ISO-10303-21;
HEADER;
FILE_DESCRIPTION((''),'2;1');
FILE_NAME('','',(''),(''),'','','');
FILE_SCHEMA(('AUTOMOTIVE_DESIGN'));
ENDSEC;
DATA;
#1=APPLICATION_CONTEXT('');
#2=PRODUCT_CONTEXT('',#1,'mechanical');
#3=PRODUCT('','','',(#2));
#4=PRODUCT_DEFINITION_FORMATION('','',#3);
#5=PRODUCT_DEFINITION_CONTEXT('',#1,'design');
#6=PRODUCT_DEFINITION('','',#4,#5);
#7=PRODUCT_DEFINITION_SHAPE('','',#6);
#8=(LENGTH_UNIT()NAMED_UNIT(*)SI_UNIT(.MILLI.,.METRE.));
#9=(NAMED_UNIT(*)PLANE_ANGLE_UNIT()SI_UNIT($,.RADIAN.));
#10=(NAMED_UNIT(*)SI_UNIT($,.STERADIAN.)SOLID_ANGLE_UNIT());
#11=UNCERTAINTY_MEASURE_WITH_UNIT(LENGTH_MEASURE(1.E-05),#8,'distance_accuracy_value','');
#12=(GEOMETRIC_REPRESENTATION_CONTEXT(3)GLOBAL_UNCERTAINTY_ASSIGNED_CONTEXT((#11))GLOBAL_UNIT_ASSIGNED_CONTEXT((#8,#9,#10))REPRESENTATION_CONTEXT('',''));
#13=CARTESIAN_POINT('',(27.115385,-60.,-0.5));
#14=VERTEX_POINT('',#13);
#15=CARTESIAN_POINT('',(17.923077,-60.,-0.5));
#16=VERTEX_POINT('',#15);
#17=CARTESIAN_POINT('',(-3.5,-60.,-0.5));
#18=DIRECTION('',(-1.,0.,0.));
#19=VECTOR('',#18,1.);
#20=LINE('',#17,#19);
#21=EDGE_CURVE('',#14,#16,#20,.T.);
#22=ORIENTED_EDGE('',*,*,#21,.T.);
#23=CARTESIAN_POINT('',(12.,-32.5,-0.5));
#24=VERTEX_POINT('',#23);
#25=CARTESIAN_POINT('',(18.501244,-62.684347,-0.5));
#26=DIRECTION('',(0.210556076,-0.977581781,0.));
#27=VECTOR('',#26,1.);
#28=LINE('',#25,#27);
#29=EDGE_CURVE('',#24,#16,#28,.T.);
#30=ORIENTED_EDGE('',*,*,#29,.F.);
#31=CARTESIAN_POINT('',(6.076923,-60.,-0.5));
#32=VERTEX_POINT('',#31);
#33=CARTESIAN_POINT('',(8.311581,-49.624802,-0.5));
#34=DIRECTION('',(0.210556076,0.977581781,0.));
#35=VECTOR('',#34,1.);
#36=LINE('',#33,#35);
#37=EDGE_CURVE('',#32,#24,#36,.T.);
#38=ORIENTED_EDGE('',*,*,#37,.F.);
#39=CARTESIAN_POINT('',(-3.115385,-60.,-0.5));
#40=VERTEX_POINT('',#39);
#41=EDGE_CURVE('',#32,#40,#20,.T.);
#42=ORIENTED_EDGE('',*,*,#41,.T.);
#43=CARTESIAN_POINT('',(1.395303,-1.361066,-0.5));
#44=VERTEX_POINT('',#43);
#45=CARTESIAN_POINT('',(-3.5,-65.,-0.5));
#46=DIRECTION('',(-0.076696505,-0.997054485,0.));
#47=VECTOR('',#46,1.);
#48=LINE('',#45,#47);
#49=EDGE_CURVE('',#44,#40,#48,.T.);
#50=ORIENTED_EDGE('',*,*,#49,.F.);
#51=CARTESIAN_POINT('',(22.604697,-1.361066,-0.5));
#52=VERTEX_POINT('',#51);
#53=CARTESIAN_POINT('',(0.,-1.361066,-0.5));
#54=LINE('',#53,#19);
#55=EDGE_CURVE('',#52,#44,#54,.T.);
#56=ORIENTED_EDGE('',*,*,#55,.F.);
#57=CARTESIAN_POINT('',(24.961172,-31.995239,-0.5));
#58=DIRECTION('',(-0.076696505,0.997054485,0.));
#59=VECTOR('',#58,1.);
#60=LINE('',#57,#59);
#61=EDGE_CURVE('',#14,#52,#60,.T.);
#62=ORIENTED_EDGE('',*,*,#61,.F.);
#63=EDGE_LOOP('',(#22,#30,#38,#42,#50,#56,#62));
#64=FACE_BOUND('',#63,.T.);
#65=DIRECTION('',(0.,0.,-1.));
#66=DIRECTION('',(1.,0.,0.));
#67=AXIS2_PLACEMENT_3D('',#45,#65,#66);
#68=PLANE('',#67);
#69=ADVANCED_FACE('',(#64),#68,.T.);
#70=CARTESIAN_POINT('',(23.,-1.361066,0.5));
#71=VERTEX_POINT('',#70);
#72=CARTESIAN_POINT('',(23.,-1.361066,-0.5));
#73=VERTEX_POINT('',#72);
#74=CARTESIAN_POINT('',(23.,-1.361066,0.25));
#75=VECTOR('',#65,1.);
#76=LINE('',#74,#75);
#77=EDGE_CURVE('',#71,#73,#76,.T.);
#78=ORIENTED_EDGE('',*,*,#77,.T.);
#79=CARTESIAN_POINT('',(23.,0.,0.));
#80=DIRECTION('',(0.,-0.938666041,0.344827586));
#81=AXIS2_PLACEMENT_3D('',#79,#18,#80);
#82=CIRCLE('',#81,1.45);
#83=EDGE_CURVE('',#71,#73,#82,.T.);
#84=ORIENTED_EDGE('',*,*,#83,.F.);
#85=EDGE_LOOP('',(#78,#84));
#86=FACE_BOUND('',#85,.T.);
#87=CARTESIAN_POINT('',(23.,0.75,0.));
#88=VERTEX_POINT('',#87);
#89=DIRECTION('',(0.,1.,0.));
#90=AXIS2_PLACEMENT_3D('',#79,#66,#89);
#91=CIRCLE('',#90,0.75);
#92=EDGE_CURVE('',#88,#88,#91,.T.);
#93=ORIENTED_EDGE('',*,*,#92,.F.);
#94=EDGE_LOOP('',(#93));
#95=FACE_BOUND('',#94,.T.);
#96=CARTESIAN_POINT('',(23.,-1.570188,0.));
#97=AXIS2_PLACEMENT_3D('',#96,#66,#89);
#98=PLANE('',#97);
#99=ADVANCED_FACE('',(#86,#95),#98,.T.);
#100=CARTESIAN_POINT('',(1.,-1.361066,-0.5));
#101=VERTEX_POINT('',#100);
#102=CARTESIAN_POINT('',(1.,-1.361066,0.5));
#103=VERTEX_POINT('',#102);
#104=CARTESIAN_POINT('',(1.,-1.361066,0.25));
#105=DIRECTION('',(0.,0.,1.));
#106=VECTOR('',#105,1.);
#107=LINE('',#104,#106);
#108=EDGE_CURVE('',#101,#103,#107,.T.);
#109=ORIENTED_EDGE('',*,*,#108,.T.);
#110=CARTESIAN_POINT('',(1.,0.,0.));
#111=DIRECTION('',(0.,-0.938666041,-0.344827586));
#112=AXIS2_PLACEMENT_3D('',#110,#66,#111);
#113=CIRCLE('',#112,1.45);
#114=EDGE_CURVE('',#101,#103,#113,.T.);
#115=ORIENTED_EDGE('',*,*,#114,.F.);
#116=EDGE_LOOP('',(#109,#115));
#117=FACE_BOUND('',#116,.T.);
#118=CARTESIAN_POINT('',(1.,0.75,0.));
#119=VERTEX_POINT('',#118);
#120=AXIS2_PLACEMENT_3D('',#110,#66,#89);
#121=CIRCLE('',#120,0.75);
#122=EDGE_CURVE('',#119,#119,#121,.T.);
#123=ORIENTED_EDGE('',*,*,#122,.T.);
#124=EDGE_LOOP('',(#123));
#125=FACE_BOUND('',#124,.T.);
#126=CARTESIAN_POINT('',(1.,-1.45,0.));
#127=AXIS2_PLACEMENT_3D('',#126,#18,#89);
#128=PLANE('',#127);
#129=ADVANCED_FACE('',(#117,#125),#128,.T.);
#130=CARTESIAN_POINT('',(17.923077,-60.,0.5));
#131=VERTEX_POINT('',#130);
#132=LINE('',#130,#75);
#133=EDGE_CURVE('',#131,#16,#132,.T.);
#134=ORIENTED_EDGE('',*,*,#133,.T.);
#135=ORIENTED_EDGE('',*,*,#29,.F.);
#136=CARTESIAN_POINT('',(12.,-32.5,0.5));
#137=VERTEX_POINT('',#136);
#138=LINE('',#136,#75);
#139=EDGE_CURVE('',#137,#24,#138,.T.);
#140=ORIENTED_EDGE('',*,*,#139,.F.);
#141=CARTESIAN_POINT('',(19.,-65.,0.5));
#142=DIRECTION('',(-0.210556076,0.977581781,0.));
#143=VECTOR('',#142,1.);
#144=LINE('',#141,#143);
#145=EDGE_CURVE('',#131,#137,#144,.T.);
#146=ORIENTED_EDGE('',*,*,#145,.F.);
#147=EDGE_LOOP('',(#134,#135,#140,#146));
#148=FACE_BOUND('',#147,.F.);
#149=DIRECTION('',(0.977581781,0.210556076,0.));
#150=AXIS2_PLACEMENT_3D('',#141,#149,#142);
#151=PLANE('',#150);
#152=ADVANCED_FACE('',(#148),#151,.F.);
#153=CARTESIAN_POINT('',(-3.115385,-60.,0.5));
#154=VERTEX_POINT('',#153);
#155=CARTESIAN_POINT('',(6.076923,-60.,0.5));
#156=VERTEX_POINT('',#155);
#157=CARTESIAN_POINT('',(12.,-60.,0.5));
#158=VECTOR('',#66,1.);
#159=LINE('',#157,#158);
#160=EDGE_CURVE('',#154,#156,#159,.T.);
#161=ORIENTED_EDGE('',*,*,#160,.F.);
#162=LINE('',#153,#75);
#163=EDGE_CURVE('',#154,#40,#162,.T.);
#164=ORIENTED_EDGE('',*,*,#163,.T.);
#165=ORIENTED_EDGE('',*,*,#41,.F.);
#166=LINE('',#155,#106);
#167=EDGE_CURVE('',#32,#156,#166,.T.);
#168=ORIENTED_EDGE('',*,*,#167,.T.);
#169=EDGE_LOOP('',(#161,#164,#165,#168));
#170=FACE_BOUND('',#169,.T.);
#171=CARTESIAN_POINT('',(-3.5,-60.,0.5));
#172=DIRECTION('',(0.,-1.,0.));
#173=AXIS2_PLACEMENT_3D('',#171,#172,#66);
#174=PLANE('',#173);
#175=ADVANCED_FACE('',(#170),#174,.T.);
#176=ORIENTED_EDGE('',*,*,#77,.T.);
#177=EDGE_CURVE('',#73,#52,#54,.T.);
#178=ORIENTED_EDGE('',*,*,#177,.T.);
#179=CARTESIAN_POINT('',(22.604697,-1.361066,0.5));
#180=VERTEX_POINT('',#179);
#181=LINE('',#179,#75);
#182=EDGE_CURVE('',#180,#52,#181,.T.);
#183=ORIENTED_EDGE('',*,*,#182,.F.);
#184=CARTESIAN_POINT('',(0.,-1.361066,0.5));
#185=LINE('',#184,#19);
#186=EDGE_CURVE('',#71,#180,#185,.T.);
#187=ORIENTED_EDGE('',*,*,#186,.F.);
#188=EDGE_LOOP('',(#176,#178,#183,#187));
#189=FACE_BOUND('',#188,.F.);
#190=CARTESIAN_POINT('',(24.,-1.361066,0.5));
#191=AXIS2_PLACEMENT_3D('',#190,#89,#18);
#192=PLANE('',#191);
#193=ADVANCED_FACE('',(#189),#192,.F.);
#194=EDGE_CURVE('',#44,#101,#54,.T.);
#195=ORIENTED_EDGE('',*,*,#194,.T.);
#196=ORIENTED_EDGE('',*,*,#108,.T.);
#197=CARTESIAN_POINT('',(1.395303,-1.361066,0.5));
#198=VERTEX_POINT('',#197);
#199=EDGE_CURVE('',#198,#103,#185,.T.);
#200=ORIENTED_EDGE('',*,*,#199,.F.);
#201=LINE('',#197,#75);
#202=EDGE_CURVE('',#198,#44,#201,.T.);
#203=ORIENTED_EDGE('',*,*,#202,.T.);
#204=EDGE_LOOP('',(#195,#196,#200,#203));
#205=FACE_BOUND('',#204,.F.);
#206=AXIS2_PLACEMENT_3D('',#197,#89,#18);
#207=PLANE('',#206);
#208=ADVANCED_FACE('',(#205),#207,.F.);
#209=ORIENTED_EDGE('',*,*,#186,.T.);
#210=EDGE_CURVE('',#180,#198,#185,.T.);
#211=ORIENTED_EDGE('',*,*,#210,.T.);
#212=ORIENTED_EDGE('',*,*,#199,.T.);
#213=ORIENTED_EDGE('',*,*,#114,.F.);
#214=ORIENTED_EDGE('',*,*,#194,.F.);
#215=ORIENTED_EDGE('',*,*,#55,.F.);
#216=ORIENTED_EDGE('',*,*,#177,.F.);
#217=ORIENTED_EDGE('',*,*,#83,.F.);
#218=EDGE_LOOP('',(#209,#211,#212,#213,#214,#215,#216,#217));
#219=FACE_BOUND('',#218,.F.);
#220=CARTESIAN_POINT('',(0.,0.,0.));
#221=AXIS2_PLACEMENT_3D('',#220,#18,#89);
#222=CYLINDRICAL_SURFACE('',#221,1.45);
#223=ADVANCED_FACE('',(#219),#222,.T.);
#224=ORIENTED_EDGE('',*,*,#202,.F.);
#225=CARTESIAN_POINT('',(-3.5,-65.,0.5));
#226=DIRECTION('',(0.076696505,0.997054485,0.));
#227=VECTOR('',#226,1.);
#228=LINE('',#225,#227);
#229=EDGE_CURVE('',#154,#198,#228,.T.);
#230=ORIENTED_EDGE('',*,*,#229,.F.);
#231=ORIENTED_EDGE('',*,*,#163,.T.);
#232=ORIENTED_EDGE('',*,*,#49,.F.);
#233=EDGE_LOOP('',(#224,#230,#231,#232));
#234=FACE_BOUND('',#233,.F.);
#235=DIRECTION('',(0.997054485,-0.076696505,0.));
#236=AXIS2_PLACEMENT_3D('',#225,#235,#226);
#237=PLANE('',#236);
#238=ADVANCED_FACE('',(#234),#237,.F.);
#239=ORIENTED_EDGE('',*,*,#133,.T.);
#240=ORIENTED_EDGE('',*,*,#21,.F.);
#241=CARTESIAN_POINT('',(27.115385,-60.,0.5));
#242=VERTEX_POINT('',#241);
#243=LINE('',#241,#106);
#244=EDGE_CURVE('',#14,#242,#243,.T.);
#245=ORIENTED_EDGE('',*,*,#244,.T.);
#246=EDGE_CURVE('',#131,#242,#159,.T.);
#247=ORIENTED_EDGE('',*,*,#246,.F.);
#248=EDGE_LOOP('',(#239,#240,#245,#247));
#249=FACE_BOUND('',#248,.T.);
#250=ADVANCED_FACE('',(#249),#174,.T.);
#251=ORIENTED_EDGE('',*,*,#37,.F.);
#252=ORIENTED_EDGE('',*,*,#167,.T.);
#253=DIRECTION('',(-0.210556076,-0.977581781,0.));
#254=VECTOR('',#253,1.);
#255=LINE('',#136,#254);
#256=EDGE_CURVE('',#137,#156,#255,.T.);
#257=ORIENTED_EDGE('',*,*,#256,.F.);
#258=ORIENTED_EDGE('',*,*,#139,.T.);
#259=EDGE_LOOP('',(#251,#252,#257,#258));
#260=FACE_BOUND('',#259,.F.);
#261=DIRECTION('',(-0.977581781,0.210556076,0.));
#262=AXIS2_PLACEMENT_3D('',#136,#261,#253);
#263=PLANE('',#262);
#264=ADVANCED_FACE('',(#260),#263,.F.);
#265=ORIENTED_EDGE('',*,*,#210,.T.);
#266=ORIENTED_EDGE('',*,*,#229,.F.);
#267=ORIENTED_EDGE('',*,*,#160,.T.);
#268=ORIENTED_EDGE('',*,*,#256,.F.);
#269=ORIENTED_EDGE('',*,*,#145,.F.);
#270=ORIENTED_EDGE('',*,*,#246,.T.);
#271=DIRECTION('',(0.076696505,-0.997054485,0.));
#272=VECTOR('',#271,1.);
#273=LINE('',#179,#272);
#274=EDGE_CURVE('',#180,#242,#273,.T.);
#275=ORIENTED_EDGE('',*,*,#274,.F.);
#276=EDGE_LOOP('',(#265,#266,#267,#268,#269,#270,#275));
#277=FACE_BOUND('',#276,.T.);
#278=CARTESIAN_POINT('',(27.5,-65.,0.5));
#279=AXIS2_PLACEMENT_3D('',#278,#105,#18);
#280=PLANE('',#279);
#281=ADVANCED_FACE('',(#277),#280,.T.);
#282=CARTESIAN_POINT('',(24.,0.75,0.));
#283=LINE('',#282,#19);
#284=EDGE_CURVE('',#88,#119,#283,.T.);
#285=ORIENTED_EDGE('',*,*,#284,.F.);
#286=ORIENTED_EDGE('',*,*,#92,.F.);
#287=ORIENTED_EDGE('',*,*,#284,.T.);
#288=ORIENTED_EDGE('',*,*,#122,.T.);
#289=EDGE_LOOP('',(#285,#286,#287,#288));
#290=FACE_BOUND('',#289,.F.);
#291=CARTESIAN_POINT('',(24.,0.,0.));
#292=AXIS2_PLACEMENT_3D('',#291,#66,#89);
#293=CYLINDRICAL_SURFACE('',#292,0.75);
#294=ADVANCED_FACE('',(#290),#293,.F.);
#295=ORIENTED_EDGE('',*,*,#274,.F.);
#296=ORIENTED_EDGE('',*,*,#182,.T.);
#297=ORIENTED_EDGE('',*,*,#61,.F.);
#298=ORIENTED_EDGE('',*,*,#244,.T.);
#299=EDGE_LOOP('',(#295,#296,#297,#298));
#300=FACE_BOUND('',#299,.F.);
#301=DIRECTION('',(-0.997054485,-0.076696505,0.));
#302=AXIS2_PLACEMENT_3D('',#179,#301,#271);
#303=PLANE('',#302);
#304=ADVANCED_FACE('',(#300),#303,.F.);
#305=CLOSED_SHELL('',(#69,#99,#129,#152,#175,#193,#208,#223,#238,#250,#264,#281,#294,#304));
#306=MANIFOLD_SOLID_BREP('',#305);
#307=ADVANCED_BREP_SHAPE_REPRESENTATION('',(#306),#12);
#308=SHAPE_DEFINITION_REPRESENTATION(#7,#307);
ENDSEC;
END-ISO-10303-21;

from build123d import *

# Parameters (mm, degrees)
F0_R      = 1.45
F1_DEPTH  = 24
F5_DEPTH  = 65
F7_DEPTH  = 25
F8_W      = 31
F8_H      = 5
F9_DEPTH  = 25
F10_R     = 0.75
F11_DEPTH = 40
F12_W     = 1
F12_H     = 2.9
F12_H_2   = 3.020188
F13_DEPTH = 12.5


with BuildPart() as f1:
    # F0 (on Right) → F1 (new body)
    with BuildSketch(Plane.YZ):
        Circle(F0_R)
    extrude(amount=F1_DEPTH)

    # F4 (on offset) → F5 (join)
    with BuildSketch(Plane.XZ.offset(65)):
        Polygon((22.5, 0.5), (1.5, 0.5), (-3.5, 0.5), (-3.5, -0.5), (1.5, -0.5), (22.5, -0.5), (27.5, -0.5), (27.5, 0.5), align=None)
    extrude(amount=-F5_DEPTH)

    # F6 (on face) → F7 (cut)
    with BuildSketch(Plane.XY.offset(0.5)):
        Polygon((27.5, -65), (27.5, 0), (24, 0), (24, -1.361066), (22.604697, -1.361066), align=None)
        Polygon((0, 0), (-3.5, 0), (-3.5, -65), (1.395303, -1.361066), (0, -1.361066), align=None)
        Polygon((5, -65), (12, -65), (19, -65), (12, -32.5), align=None)
    extrude(amount=-F7_DEPTH, mode=Mode.SUBTRACT)

    # F8 (on face) → F9 (cut)
    with BuildSketch(Plane.XY.offset(0.5)):
        with Locations((12, -62.5)):
            Rectangle(F8_W, F8_H)
    extrude(amount=-F9_DEPTH, mode=Mode.SUBTRACT)

    # F10 (on face) → F11 (cut)
    with BuildSketch(Plane.YZ.offset(24)):
        Circle(F10_R)
    extrude(amount=-F11_DEPTH, mode=Mode.SUBTRACT)

    # F12 (on Top) → F13 (cut, symmetric)
    with BuildSketch(Plane.XY):
        with Locations((0.5, 0)):
            Rectangle(F12_W, F12_H)
        with Locations((23.5, -0.060094)):
            Rectangle(F12_W, F12_H_2)
    extrude(amount=F13_DEPTH, both=True, mode=Mode.SUBTRACT)


solid = f1.part
